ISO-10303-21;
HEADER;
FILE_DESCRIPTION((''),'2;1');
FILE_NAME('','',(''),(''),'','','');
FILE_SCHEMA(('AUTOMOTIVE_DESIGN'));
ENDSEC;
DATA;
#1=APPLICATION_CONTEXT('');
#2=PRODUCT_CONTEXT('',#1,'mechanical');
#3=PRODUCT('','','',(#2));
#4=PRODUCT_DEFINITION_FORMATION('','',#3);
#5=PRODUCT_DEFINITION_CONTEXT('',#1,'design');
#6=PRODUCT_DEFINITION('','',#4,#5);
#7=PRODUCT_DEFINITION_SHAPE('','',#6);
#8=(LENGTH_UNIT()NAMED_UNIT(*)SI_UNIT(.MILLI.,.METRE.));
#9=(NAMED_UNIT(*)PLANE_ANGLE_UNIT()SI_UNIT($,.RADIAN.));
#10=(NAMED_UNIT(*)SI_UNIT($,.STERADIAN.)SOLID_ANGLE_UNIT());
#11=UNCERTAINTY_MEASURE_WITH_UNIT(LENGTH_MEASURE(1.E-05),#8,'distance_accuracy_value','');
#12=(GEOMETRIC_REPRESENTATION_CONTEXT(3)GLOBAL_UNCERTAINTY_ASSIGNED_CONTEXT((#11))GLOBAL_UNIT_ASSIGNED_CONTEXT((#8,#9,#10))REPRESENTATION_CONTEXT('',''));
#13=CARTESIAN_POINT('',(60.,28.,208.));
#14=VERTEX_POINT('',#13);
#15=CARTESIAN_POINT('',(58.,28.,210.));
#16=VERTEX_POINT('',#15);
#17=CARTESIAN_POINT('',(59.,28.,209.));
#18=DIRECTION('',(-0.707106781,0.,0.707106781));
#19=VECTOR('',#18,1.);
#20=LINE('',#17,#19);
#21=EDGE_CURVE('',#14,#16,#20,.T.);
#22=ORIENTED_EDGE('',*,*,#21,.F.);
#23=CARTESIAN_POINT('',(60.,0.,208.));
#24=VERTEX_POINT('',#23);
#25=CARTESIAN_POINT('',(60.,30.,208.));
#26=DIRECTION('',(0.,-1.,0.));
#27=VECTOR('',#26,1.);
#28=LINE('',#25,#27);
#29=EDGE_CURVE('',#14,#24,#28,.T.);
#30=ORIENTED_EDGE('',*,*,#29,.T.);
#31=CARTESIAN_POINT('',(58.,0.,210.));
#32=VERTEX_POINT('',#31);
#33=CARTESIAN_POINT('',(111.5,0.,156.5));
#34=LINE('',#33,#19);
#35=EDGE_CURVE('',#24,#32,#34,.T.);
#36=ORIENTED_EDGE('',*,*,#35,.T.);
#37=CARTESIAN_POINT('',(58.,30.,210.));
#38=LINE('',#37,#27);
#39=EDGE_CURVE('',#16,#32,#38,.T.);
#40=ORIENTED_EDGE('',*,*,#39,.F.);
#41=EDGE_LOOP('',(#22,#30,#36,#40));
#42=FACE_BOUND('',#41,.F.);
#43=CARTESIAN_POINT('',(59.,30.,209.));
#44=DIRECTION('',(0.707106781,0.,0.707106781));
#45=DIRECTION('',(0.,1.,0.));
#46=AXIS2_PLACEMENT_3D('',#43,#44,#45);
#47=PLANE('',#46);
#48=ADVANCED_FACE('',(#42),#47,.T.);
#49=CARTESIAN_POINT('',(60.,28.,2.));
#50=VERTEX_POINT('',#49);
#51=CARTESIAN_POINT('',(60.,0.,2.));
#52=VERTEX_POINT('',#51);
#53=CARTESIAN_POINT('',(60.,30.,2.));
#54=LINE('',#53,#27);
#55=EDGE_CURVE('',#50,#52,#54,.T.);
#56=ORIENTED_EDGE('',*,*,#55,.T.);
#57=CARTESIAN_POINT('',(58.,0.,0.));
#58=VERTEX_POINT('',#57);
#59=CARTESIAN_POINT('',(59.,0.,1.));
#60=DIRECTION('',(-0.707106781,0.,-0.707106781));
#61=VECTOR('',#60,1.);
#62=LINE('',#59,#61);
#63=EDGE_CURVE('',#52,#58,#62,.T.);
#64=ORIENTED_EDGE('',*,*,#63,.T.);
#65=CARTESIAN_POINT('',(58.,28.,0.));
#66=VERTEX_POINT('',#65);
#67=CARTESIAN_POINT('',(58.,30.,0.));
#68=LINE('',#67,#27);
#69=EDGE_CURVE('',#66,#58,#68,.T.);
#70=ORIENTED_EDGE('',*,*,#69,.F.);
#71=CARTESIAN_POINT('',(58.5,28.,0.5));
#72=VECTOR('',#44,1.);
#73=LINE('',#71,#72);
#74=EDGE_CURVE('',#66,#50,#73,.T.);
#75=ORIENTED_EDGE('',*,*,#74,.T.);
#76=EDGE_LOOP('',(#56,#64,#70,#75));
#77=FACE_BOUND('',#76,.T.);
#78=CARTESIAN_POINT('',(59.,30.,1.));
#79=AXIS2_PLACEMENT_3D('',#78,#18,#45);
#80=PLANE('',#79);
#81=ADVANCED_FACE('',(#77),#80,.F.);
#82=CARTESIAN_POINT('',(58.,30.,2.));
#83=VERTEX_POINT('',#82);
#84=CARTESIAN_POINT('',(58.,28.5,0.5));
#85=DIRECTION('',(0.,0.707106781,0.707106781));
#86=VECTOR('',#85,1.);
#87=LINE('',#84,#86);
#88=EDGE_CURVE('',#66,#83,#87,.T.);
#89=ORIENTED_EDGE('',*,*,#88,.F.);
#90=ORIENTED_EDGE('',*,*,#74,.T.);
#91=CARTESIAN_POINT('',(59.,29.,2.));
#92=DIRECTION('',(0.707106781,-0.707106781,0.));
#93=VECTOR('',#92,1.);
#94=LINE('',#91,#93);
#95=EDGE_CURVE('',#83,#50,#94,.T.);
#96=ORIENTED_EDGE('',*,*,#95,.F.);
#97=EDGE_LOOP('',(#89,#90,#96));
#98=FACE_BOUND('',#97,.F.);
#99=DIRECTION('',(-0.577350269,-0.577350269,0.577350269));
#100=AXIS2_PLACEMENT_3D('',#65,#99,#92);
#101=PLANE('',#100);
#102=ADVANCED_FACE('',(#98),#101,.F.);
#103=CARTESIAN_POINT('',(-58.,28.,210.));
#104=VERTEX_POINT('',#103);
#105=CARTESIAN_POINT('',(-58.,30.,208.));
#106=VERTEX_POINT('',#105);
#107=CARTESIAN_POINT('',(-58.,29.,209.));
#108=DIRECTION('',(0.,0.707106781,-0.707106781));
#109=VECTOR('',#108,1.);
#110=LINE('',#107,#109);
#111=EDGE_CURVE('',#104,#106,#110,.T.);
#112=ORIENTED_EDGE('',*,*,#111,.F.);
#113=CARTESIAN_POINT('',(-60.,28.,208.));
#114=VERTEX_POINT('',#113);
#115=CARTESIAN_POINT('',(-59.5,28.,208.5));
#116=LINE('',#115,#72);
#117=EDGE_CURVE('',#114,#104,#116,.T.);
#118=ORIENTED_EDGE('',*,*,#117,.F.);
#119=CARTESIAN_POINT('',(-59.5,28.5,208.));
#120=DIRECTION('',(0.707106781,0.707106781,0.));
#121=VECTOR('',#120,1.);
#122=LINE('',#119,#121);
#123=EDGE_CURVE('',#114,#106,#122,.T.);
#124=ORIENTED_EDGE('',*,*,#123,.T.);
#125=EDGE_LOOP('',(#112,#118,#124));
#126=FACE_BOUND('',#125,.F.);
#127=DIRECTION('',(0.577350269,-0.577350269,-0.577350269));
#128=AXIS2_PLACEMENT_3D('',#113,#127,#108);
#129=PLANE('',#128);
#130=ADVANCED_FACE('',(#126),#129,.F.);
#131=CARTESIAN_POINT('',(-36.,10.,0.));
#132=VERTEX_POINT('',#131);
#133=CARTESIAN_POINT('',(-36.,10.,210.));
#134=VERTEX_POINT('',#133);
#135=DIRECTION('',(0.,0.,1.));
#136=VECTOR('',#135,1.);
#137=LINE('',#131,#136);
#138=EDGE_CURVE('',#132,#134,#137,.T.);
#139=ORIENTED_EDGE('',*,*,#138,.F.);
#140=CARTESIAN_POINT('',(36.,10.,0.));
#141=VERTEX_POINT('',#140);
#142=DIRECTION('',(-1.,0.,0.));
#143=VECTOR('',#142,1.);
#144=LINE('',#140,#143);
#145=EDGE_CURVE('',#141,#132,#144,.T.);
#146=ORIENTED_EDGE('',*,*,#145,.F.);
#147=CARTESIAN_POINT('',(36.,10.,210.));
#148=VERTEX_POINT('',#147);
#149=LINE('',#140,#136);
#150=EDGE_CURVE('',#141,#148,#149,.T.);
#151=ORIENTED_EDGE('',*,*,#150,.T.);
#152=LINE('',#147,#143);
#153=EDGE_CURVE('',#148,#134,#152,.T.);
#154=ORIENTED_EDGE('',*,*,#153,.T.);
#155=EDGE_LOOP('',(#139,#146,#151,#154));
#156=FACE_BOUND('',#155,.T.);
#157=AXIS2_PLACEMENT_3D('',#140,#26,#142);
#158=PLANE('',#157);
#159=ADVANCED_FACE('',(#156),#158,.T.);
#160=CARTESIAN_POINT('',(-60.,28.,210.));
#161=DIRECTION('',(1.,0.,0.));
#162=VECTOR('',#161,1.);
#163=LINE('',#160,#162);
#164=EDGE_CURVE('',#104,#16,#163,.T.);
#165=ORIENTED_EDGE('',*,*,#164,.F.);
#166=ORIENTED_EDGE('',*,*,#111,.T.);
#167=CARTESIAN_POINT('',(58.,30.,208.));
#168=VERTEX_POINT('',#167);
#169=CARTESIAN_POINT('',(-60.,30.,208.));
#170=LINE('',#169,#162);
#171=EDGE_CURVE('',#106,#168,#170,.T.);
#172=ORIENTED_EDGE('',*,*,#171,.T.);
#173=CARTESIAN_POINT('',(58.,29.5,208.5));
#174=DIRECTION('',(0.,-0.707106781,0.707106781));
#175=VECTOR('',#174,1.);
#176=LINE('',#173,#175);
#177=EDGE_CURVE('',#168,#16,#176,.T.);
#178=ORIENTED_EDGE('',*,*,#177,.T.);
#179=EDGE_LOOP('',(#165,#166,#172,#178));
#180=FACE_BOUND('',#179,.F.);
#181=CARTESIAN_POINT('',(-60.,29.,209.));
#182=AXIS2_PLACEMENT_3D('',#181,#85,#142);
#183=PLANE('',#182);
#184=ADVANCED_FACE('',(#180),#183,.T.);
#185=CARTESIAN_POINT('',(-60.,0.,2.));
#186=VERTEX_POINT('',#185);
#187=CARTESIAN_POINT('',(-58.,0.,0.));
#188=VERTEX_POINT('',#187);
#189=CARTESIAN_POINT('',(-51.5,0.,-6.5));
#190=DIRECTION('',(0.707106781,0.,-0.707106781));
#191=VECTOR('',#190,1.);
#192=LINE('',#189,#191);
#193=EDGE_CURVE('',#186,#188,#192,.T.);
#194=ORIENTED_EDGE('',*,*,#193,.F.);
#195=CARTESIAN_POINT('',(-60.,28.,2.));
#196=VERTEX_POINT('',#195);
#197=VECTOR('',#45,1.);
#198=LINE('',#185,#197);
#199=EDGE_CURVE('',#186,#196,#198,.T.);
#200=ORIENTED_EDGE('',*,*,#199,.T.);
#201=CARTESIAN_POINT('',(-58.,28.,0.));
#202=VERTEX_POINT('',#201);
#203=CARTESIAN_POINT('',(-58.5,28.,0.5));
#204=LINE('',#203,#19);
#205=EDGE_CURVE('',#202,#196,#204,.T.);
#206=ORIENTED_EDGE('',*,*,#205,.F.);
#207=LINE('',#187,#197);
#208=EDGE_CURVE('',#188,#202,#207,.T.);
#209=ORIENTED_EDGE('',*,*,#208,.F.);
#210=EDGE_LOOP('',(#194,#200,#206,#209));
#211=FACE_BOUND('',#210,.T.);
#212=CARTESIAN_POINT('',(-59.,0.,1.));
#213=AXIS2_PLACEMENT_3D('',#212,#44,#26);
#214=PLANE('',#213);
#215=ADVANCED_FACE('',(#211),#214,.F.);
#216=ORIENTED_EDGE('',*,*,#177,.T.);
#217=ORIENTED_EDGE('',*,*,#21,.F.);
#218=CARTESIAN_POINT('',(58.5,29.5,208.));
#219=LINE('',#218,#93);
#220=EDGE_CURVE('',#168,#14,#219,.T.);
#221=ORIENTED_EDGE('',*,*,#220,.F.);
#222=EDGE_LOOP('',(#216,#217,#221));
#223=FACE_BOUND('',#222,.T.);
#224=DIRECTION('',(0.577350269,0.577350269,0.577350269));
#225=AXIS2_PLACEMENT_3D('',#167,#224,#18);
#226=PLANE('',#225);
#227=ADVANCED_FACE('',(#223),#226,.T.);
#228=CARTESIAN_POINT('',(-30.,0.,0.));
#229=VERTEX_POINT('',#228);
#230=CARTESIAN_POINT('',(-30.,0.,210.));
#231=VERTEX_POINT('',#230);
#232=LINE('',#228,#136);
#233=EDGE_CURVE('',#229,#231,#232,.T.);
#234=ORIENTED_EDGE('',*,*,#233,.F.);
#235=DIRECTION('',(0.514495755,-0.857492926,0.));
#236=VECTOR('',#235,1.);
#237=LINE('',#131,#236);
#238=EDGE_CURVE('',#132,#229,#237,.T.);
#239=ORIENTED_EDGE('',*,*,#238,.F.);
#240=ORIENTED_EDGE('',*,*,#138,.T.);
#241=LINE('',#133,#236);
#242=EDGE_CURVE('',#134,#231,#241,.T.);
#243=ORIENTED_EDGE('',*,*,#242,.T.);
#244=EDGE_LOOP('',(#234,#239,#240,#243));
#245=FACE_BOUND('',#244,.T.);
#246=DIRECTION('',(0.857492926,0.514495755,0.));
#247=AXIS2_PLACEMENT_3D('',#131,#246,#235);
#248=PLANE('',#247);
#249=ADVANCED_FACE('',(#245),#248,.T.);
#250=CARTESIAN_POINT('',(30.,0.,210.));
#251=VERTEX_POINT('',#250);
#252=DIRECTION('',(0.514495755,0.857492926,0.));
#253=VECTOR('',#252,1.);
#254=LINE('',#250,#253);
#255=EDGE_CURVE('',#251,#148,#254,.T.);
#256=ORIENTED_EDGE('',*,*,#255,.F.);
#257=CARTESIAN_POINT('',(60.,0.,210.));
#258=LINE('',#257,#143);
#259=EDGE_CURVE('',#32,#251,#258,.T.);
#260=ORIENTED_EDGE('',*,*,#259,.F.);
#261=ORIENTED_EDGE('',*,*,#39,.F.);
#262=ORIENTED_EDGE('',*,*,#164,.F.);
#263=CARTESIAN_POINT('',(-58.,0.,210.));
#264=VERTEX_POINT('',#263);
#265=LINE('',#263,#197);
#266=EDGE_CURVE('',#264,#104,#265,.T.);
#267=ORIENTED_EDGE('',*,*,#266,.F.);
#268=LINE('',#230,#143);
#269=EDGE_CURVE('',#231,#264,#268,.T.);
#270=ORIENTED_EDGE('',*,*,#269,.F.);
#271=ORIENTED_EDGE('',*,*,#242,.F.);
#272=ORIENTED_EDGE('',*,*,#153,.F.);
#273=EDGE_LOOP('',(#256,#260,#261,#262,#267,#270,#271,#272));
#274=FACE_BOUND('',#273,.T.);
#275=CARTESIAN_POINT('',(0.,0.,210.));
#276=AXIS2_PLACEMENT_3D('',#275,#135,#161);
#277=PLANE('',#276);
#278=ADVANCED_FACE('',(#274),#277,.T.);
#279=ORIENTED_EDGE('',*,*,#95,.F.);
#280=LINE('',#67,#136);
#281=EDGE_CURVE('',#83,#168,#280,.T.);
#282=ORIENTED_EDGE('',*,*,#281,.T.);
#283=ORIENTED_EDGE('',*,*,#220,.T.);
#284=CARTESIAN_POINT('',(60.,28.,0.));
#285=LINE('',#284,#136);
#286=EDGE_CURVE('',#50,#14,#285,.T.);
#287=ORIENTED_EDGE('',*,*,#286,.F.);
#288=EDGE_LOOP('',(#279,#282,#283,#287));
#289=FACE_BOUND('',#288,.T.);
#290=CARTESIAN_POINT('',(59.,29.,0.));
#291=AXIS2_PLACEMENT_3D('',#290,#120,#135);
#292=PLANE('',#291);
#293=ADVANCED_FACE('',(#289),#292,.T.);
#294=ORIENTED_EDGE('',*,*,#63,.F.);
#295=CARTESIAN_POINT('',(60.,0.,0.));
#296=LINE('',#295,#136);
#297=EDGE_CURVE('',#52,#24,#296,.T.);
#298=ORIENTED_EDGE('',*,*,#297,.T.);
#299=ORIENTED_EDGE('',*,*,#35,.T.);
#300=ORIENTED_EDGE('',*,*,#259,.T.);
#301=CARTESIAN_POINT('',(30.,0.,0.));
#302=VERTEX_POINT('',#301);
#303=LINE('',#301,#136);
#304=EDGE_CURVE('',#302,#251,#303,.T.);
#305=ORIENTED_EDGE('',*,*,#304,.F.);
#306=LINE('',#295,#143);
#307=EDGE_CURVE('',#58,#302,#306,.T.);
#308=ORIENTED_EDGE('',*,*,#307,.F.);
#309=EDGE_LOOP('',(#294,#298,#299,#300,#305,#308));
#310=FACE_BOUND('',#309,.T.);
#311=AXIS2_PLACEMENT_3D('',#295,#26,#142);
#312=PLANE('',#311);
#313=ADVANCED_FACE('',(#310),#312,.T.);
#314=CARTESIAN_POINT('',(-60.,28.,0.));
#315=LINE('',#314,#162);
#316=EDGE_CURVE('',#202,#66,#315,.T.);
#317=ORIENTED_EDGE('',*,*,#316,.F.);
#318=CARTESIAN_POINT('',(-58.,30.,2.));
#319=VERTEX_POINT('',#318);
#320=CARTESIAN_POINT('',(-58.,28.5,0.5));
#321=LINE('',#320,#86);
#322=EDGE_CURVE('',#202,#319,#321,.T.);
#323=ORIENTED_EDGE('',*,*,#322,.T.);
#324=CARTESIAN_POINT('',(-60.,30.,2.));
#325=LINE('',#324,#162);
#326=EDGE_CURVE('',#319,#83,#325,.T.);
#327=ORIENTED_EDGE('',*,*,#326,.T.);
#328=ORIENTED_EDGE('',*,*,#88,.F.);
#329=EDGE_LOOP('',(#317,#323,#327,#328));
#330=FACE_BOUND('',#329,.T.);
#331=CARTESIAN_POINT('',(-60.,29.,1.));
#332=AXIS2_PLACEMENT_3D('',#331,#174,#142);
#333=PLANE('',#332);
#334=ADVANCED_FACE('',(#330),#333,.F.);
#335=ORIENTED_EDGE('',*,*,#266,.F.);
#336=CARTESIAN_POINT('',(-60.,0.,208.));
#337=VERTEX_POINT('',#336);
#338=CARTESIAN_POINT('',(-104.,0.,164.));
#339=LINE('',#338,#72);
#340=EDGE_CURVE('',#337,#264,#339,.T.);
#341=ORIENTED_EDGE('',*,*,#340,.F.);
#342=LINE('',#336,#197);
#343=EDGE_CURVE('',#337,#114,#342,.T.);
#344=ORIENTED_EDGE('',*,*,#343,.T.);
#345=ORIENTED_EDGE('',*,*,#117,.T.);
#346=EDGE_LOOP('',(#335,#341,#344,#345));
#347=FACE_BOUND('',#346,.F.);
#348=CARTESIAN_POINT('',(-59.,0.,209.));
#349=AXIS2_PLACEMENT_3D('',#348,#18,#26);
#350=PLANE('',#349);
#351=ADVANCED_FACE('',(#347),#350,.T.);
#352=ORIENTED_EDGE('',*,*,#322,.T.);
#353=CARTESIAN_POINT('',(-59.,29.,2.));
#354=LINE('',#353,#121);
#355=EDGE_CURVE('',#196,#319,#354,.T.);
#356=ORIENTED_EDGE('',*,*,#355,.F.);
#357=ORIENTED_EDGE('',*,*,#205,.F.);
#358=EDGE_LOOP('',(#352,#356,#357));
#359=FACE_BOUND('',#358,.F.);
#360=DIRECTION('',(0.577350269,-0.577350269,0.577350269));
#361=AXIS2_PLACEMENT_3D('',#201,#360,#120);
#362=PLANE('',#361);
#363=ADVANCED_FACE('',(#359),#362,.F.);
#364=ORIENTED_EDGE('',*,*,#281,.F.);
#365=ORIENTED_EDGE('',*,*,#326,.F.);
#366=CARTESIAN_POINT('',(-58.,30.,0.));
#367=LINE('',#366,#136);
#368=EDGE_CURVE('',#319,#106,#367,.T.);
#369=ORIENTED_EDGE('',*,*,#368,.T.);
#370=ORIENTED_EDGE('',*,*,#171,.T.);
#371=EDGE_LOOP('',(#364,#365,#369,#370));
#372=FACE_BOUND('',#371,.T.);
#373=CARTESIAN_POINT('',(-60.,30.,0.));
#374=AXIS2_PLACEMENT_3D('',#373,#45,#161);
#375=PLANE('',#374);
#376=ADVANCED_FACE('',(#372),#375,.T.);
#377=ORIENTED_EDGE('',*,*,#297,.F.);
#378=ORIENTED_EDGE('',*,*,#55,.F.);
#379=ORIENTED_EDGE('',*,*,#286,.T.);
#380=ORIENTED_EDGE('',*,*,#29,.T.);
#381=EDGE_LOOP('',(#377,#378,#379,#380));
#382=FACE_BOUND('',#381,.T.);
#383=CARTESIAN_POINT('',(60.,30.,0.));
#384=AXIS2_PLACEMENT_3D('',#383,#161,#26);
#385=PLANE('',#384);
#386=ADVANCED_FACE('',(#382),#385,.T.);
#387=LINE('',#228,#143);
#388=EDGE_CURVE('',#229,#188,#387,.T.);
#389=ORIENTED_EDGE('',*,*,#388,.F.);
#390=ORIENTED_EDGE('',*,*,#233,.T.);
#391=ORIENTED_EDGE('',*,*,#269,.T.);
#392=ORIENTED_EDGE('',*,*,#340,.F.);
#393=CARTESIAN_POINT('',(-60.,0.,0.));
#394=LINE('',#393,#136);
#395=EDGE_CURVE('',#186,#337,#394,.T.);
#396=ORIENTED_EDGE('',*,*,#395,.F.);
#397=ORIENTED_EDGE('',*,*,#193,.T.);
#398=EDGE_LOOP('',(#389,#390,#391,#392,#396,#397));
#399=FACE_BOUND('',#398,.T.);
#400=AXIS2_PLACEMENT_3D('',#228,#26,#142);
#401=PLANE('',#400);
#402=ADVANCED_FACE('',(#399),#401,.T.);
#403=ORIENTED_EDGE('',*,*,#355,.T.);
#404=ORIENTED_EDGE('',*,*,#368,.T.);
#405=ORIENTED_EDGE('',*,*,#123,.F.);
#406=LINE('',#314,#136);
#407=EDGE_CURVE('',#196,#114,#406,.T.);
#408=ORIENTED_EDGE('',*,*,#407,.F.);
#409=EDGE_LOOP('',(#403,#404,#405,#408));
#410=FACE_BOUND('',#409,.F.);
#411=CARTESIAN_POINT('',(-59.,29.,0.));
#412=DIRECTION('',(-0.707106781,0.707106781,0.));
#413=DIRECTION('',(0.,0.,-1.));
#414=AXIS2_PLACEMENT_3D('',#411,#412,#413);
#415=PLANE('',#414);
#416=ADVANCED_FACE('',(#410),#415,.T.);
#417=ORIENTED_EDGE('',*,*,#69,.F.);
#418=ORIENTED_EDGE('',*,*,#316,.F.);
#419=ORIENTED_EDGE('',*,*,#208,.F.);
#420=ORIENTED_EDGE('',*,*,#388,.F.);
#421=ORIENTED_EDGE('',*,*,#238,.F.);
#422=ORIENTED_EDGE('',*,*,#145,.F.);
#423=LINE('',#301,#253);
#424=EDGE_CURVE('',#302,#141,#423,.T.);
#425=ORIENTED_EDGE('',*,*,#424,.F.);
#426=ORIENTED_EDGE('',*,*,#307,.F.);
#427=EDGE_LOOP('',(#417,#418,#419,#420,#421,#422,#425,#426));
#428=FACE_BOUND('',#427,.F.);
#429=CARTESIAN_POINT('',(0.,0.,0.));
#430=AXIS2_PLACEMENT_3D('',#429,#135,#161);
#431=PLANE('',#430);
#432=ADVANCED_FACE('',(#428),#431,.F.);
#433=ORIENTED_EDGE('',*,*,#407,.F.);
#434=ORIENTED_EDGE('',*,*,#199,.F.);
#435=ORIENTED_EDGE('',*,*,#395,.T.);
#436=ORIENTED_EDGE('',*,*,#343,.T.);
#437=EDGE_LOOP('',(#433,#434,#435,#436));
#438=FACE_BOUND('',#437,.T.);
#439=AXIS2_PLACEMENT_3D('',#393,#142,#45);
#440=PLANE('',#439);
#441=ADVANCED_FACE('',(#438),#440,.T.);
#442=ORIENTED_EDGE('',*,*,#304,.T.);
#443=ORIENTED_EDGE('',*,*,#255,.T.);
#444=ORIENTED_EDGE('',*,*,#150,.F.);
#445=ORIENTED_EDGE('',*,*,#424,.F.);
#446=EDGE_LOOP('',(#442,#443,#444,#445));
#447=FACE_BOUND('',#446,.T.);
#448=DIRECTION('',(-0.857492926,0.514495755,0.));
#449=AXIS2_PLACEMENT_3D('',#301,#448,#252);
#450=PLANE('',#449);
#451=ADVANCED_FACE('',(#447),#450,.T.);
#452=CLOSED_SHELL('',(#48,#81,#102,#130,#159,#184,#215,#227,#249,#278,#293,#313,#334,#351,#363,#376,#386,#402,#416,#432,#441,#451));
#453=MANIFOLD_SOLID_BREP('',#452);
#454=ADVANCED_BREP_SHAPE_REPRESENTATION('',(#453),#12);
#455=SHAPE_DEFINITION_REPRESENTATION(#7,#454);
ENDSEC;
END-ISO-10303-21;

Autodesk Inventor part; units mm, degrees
ref_plane "YZ Plane" through (0, 0, 0) normal (1, 0, 0) x (0, 1, 0)
ref_plane "XZ Plane" through (0, 0, 0) normal (0, 1, 0) x (-1, 0, 0)
ref_plane "XY Plane" through (0, 0, 0) normal (0, 0, 1) x (1, 0, 0)
sketch "Sketch1" plane through (0, 0, 0) normal (0, 0, 1) x (1, 0, 0)
  line L0 (-60, 30) -> (60, 30)
  line L1 (60, 30) -> (60, 0)
  line L2 (60, 0) -> (30, 0)
  line L3 (30, 0) -> (36, 10)
  line L4 (36, 10) -> (-36, 10)
  line L5 (-36, 10) -> (-30, 0)
  line L6 (-30, 0) -> (-60, 0)
  line L7 (-60, 0) -> (-60, 30)
  line L8 (0, 0) -> (0, 10) construction
  line L9 (0, 10) -> (0, 30) construction
  dimension "d0" = 30
  dimension "d1" = 20
  dimension "d2" = 72
  dimension "d3" = 6
  dimension "d4" = 6
  dimension "d5" = 120
  dimension "d6" = 30
extrude "Extrusion1" add sketch "Sketch1" along normal blind 210
chamfer "Chamfer1" distance 2 angle 45 8 edges at (60, 15, 210) (60, 30, 105) (0, 30, 210) (-60, 15, 210) (-60, 30, 105) (-60, 15, 0) (0, 30, 0) (60, 15, 0)
properties part number "Cross Slide"
